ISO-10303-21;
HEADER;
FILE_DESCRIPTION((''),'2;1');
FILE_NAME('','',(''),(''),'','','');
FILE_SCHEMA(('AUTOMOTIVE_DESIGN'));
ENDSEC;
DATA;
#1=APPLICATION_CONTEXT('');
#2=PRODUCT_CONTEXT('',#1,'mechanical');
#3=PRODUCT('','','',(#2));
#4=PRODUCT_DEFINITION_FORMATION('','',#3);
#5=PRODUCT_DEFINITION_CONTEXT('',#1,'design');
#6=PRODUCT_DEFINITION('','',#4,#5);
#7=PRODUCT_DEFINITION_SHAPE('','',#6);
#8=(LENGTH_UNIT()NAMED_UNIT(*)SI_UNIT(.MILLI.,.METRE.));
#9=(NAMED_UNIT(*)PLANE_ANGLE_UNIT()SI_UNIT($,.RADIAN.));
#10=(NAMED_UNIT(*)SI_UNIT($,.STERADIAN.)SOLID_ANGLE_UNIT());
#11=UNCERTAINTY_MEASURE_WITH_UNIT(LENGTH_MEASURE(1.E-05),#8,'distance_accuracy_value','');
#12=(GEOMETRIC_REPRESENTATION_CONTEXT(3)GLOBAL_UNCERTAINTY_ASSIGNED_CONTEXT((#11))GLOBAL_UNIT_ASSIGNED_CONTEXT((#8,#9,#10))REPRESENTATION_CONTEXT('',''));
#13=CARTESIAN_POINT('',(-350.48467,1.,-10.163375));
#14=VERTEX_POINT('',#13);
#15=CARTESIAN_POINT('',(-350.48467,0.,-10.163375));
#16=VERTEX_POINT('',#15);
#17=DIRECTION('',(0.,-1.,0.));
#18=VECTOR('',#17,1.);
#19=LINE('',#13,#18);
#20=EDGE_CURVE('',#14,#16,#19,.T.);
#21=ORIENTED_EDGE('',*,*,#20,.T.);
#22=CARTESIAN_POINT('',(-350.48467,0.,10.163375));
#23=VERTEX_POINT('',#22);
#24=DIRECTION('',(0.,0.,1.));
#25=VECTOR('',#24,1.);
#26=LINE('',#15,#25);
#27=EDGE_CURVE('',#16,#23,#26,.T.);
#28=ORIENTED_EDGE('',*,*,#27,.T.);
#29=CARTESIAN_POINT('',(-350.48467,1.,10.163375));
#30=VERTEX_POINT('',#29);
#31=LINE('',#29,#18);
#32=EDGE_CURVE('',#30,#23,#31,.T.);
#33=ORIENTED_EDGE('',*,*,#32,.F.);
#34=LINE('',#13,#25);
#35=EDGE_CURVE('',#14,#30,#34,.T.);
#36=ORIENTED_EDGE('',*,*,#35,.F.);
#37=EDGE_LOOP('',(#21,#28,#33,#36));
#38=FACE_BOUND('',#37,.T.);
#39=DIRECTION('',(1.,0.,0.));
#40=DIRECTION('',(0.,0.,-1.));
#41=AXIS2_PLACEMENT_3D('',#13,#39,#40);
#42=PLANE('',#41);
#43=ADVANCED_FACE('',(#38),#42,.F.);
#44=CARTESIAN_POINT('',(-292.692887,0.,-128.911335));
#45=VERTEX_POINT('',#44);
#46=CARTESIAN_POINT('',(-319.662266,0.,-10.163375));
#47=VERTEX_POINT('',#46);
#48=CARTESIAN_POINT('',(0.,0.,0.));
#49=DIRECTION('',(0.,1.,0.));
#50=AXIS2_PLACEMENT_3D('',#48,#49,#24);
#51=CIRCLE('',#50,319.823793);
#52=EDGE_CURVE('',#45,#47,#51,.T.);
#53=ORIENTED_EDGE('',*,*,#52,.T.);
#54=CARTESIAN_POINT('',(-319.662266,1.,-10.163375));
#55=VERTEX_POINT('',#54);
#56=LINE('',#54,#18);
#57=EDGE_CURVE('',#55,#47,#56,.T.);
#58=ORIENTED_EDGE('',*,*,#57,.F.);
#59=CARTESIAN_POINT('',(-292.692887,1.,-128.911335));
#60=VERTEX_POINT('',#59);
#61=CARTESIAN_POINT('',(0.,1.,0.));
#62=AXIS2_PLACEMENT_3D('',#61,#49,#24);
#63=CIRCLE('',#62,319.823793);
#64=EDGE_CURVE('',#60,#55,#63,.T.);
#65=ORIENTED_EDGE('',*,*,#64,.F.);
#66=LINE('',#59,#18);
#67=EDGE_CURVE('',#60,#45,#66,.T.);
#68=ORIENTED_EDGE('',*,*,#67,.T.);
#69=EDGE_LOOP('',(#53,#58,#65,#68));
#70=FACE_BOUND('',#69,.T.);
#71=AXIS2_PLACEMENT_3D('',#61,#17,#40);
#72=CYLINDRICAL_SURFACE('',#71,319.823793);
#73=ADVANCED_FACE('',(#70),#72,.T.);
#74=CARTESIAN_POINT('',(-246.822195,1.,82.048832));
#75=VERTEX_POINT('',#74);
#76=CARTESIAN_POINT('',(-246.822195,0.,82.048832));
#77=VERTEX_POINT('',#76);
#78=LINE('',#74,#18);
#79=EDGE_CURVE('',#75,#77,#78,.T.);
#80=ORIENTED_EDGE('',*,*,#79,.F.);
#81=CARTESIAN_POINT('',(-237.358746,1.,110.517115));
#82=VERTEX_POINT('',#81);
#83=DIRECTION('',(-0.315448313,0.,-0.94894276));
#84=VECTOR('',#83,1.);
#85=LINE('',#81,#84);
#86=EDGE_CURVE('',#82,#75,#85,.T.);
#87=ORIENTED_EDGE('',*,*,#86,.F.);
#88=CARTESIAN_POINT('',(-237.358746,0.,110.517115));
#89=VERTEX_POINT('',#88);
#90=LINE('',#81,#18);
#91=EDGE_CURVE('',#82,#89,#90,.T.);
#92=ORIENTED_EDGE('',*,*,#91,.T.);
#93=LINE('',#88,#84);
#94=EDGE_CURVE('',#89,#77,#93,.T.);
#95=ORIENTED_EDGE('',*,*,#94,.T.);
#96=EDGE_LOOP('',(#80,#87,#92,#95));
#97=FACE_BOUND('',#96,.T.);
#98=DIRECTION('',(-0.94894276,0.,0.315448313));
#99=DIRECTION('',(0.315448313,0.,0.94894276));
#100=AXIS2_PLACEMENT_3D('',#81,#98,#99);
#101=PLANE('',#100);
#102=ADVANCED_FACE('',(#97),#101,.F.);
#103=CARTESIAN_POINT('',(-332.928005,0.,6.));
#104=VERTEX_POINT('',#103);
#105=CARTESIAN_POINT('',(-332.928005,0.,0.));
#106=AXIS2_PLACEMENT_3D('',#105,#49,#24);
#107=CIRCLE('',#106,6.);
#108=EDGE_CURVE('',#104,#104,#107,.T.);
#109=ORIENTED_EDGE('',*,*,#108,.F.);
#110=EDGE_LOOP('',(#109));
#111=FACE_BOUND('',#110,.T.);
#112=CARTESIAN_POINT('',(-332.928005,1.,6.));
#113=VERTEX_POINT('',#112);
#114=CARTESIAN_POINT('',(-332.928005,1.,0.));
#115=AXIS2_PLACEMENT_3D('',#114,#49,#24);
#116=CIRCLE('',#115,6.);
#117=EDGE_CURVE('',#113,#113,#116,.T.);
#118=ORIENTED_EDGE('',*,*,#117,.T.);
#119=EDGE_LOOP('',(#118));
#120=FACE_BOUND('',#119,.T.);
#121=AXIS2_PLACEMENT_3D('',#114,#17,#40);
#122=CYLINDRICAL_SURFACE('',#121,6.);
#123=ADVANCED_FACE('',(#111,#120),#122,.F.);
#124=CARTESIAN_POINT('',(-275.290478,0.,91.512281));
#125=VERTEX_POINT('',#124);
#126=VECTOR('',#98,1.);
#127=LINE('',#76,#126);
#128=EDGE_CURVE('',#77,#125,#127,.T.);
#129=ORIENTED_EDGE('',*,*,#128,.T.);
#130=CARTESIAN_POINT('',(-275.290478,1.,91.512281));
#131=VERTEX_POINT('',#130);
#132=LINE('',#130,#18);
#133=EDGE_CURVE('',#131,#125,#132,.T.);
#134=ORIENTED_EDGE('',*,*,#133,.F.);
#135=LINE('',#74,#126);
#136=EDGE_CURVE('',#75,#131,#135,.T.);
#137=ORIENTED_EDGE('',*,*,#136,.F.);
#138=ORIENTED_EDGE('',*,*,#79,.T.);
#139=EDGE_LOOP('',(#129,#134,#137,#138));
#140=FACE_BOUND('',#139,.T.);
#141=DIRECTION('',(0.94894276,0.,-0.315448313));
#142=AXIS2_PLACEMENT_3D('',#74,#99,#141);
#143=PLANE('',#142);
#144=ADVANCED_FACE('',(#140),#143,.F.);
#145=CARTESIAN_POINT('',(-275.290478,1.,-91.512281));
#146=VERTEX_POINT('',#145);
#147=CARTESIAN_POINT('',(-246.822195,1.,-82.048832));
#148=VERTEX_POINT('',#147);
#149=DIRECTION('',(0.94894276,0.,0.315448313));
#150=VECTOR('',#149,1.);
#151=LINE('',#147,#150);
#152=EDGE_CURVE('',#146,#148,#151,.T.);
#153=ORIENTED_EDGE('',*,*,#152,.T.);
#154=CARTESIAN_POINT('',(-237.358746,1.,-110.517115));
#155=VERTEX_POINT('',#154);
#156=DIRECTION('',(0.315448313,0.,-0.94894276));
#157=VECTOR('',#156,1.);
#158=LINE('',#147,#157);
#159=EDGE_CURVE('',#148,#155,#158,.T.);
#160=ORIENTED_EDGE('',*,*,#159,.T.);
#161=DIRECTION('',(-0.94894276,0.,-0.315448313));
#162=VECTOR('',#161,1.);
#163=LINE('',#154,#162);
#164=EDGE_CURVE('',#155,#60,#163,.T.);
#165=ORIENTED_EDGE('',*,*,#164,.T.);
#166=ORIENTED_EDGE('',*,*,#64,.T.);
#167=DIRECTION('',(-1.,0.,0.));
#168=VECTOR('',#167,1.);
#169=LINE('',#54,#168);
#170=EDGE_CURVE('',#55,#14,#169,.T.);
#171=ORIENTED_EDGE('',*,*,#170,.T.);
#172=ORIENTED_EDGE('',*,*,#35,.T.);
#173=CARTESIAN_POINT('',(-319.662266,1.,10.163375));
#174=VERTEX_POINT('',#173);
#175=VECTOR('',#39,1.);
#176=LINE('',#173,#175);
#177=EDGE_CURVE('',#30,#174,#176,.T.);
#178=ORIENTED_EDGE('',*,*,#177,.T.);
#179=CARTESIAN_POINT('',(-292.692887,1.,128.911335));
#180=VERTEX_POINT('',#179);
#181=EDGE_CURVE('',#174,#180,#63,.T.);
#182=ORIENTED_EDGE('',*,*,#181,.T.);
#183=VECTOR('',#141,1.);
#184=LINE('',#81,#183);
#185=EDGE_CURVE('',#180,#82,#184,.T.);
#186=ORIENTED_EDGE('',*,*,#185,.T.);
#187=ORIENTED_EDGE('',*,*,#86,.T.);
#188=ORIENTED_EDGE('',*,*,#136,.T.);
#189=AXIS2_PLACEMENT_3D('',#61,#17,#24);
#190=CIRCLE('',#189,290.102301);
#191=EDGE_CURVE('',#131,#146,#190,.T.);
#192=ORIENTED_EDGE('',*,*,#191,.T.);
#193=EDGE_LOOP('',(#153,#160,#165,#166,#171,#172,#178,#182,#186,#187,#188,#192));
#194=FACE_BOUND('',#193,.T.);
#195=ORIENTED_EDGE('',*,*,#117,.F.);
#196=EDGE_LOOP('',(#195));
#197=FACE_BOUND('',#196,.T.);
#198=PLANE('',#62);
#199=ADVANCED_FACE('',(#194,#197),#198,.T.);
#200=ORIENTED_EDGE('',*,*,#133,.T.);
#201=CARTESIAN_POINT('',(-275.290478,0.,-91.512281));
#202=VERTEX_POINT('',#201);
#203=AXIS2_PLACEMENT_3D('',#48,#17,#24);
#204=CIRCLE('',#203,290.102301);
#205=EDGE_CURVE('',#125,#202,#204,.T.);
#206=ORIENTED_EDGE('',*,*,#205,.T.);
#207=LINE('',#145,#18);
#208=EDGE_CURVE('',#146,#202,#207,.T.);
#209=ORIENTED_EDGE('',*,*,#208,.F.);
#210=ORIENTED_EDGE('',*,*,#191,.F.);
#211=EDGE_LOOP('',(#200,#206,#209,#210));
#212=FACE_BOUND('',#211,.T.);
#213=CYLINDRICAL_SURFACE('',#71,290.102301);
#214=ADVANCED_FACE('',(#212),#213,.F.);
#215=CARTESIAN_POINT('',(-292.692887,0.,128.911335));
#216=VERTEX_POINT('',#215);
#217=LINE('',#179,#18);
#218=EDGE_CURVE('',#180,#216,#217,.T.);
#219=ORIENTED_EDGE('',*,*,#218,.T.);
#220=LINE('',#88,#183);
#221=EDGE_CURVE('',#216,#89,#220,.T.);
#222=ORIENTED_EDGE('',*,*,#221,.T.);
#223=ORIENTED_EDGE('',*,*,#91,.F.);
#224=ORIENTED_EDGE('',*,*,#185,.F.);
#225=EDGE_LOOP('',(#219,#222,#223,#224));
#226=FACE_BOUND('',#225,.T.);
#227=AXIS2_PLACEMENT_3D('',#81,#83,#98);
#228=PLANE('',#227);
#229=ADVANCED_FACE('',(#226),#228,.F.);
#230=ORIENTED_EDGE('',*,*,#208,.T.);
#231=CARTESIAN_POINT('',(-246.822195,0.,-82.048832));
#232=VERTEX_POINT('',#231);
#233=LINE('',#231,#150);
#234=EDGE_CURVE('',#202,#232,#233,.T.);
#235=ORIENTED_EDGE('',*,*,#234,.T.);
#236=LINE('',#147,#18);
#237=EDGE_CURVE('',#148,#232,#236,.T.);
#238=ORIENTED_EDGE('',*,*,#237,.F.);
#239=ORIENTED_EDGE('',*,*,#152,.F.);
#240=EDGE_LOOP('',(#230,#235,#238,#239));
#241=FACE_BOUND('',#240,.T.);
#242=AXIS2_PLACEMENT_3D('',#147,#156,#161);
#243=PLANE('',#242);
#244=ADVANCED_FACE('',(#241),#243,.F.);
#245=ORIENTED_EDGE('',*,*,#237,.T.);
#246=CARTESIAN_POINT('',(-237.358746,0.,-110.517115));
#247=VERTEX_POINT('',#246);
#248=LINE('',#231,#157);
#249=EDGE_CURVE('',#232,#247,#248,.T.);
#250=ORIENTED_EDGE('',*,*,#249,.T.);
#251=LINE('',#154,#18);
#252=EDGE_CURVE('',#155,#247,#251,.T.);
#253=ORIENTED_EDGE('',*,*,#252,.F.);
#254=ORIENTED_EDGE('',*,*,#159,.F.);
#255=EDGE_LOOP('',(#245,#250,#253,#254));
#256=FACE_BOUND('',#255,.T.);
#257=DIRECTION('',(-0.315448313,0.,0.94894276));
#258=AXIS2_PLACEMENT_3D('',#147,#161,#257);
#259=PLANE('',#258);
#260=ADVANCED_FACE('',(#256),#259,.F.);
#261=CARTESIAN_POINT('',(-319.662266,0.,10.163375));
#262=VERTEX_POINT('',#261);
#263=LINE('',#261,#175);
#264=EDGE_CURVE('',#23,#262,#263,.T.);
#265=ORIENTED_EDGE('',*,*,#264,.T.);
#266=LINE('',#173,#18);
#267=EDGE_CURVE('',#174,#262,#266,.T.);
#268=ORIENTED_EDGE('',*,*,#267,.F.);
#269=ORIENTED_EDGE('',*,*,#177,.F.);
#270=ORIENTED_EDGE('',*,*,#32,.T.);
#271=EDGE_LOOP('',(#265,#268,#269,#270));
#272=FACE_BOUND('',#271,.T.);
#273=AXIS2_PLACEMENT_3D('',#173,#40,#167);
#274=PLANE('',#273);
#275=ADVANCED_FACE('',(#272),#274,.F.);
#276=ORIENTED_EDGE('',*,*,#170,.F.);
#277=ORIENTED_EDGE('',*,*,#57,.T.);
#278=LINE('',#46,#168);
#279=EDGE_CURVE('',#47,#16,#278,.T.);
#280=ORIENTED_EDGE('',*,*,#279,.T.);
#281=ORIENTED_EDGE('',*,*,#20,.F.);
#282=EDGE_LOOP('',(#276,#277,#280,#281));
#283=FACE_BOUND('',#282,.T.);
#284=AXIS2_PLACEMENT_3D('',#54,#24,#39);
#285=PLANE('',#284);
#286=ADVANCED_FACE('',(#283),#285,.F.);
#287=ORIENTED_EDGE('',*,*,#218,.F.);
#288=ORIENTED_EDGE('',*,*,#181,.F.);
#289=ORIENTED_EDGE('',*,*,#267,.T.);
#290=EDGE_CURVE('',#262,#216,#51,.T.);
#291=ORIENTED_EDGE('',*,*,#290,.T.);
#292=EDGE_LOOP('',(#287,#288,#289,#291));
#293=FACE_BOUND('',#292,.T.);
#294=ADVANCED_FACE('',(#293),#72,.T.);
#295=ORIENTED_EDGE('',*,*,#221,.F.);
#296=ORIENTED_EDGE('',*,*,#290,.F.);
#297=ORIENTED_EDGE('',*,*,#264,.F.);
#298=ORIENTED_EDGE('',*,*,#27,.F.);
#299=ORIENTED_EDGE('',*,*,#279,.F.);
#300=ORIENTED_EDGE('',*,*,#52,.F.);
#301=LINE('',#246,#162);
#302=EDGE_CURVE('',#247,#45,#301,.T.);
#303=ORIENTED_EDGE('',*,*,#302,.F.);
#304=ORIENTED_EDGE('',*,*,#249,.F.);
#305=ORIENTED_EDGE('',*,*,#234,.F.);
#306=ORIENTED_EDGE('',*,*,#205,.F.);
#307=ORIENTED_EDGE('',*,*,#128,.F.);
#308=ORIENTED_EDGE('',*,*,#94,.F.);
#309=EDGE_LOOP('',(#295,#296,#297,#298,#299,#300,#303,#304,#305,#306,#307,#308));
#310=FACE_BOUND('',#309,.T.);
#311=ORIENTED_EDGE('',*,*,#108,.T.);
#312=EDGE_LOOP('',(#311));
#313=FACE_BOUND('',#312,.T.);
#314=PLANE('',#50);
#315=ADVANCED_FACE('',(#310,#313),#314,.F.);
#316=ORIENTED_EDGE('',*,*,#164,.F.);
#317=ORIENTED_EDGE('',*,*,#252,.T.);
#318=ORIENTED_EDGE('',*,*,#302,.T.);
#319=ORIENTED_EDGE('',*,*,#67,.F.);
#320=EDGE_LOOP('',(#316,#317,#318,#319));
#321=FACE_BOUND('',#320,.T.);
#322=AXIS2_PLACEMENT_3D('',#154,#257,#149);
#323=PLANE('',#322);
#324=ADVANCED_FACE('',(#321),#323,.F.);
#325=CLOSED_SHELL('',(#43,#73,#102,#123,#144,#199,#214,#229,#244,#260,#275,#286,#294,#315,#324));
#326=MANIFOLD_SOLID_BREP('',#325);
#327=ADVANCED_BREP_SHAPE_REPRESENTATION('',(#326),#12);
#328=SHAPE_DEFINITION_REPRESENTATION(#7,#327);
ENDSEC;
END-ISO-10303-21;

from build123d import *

# Parameters (mm, degrees)
SKETCH1_R           = 6
BOSS_EXTRUDE1_DEPTH = 1


with BuildPart() as part:
    # Sketch1 → Boss-Extrude1 (new body)
    with BuildSketch(Plane(origin=(0, 0, 0), x_dir=(1, 0, 0), z_dir=(0, 1, 0))):
        with BuildLine():
            Line((-246.822195025, 82.048831977), (-275.290477825, 91.512281372))
            ThreePointArc((-275.290477825, 91.512281372), (-290.102300616, 0), (-275.290477825, -91.512281372))
            Line((-275.290477825, -91.512281372), (-246.822195025, -82.048831977))
            Line((-246.822195025, -82.048831977), (-237.35874563, -110.517114777))
            Line((-237.35874563, -110.517114777), (-292.692887429, -128.911334562))
            ThreePointArc((-292.692887429, -128.911334562), (-311.881352351, -70.832764917), (-319.66226604, -10.163375435))
            Line((-319.66226604, -10.163375435), (-350.484670263, -10.163375435))
            Line((-350.484670263, -10.163375435), (-350.484670263, 10.163375435))
            Line((-350.484670263, 10.163375435), (-319.66226604, 10.163375435))
            ThreePointArc((-319.66226604, 10.163375435), (-311.881352351, 70.832764917), (-292.692887429, 128.911334562))
            Line((-292.692887429, 128.911334562), (-237.35874563, 110.517114777))
            Line((-237.35874563, 110.517114777), (-246.822195025, 82.048831977))
        make_face()
        with Locations(Location((-332.928005197, 0, 0), (0, 0, 270))):
            Circle(SKETCH1_R, mode=Mode.SUBTRACT)
    extrude(amount=BOSS_EXTRUDE1_DEPTH)


solid = part.part
